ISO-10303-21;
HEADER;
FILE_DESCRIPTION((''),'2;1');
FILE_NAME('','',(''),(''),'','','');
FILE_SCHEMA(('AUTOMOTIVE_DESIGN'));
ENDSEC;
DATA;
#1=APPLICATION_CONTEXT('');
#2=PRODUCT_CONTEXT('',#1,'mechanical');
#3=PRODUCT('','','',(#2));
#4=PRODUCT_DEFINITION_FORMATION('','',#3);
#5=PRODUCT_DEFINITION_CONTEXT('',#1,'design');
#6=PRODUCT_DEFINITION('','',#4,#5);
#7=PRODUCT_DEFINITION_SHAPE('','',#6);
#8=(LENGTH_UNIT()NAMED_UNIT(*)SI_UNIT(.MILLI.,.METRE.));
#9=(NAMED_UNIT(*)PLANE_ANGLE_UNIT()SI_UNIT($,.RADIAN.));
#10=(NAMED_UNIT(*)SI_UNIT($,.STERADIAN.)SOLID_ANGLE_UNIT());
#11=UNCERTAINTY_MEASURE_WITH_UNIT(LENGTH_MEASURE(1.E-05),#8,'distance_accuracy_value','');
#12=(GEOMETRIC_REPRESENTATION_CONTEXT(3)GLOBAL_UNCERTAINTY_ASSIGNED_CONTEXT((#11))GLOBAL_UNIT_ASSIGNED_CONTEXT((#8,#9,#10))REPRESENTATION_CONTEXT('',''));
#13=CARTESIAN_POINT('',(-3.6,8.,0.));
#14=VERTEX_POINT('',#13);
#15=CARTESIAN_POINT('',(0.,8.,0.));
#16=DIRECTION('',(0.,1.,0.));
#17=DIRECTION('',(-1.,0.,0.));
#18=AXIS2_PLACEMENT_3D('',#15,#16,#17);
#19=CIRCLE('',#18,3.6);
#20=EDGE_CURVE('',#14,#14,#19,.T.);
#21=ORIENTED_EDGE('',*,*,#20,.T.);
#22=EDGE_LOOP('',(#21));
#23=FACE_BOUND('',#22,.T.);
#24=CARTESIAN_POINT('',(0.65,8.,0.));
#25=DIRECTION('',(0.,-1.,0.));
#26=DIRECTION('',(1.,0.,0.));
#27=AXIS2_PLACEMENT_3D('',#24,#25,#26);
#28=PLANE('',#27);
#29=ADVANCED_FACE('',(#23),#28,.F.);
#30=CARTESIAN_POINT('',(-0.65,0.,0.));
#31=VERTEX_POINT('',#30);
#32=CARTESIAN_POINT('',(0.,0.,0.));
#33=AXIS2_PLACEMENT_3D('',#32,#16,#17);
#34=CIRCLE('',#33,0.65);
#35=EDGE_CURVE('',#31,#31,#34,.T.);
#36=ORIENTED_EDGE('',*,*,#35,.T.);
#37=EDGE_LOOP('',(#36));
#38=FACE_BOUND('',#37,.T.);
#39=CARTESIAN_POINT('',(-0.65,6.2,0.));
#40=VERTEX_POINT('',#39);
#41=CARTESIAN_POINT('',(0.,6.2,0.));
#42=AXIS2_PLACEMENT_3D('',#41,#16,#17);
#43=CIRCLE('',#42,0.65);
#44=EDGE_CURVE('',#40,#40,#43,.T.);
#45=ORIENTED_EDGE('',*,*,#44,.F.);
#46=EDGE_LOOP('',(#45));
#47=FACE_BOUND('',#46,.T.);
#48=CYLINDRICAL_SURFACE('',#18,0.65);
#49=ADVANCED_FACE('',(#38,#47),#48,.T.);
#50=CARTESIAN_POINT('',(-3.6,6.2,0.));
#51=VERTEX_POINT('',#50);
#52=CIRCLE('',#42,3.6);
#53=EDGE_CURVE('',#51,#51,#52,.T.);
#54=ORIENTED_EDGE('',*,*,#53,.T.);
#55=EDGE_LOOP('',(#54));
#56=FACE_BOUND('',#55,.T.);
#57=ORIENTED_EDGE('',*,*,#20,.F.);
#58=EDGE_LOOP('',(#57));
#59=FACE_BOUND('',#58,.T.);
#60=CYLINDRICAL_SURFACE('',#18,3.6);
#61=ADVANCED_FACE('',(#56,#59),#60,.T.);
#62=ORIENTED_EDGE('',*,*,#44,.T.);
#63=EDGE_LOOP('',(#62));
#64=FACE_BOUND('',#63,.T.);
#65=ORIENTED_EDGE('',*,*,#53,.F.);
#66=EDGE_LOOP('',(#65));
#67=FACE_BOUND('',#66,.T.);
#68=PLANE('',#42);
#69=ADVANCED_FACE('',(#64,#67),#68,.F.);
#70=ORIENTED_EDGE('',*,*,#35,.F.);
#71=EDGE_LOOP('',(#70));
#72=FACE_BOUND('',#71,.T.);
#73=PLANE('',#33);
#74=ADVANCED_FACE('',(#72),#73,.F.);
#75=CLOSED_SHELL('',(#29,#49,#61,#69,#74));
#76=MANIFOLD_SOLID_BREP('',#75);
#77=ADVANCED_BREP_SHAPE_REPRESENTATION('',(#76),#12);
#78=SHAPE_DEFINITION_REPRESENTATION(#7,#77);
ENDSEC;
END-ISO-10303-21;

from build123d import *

# Parameters (mm, degrees)
SKETCH1_W = 0.65
SKETCH1_H = 8
SKETCH2_W = 3.6
SKETCH2_H = 1.8


with BuildPart() as part:
    # Sketch1 → Revolve1 (revolve)
    with BuildSketch(Plane.XY, mode=Mode.PRIVATE) as revolve1_sk:
        with Locations((0.325, 4)):
            Rectangle(SKETCH1_W, SKETCH1_H)
    revolve(revolve1_sk.sketch.rotate(Axis((0, 8, 0), (0, -1, 0)), 180), axis=Axis((0, 8, 0), (0, -1, 0)))

    # Sketch2 → Revolve2 (revolve)
    with BuildSketch(Plane.XY, mode=Mode.PRIVATE) as revolve2_sk:
        with Locations((1.8, 7.1)):
            Rectangle(SKETCH2_W, SKETCH2_H)
    revolve(revolve2_sk.sketch.rotate(Axis((0, 8, 0), (0, -1, 0)), 180), axis=Axis((0, 8, 0), (0, -1, 0)))


solid = part.part
